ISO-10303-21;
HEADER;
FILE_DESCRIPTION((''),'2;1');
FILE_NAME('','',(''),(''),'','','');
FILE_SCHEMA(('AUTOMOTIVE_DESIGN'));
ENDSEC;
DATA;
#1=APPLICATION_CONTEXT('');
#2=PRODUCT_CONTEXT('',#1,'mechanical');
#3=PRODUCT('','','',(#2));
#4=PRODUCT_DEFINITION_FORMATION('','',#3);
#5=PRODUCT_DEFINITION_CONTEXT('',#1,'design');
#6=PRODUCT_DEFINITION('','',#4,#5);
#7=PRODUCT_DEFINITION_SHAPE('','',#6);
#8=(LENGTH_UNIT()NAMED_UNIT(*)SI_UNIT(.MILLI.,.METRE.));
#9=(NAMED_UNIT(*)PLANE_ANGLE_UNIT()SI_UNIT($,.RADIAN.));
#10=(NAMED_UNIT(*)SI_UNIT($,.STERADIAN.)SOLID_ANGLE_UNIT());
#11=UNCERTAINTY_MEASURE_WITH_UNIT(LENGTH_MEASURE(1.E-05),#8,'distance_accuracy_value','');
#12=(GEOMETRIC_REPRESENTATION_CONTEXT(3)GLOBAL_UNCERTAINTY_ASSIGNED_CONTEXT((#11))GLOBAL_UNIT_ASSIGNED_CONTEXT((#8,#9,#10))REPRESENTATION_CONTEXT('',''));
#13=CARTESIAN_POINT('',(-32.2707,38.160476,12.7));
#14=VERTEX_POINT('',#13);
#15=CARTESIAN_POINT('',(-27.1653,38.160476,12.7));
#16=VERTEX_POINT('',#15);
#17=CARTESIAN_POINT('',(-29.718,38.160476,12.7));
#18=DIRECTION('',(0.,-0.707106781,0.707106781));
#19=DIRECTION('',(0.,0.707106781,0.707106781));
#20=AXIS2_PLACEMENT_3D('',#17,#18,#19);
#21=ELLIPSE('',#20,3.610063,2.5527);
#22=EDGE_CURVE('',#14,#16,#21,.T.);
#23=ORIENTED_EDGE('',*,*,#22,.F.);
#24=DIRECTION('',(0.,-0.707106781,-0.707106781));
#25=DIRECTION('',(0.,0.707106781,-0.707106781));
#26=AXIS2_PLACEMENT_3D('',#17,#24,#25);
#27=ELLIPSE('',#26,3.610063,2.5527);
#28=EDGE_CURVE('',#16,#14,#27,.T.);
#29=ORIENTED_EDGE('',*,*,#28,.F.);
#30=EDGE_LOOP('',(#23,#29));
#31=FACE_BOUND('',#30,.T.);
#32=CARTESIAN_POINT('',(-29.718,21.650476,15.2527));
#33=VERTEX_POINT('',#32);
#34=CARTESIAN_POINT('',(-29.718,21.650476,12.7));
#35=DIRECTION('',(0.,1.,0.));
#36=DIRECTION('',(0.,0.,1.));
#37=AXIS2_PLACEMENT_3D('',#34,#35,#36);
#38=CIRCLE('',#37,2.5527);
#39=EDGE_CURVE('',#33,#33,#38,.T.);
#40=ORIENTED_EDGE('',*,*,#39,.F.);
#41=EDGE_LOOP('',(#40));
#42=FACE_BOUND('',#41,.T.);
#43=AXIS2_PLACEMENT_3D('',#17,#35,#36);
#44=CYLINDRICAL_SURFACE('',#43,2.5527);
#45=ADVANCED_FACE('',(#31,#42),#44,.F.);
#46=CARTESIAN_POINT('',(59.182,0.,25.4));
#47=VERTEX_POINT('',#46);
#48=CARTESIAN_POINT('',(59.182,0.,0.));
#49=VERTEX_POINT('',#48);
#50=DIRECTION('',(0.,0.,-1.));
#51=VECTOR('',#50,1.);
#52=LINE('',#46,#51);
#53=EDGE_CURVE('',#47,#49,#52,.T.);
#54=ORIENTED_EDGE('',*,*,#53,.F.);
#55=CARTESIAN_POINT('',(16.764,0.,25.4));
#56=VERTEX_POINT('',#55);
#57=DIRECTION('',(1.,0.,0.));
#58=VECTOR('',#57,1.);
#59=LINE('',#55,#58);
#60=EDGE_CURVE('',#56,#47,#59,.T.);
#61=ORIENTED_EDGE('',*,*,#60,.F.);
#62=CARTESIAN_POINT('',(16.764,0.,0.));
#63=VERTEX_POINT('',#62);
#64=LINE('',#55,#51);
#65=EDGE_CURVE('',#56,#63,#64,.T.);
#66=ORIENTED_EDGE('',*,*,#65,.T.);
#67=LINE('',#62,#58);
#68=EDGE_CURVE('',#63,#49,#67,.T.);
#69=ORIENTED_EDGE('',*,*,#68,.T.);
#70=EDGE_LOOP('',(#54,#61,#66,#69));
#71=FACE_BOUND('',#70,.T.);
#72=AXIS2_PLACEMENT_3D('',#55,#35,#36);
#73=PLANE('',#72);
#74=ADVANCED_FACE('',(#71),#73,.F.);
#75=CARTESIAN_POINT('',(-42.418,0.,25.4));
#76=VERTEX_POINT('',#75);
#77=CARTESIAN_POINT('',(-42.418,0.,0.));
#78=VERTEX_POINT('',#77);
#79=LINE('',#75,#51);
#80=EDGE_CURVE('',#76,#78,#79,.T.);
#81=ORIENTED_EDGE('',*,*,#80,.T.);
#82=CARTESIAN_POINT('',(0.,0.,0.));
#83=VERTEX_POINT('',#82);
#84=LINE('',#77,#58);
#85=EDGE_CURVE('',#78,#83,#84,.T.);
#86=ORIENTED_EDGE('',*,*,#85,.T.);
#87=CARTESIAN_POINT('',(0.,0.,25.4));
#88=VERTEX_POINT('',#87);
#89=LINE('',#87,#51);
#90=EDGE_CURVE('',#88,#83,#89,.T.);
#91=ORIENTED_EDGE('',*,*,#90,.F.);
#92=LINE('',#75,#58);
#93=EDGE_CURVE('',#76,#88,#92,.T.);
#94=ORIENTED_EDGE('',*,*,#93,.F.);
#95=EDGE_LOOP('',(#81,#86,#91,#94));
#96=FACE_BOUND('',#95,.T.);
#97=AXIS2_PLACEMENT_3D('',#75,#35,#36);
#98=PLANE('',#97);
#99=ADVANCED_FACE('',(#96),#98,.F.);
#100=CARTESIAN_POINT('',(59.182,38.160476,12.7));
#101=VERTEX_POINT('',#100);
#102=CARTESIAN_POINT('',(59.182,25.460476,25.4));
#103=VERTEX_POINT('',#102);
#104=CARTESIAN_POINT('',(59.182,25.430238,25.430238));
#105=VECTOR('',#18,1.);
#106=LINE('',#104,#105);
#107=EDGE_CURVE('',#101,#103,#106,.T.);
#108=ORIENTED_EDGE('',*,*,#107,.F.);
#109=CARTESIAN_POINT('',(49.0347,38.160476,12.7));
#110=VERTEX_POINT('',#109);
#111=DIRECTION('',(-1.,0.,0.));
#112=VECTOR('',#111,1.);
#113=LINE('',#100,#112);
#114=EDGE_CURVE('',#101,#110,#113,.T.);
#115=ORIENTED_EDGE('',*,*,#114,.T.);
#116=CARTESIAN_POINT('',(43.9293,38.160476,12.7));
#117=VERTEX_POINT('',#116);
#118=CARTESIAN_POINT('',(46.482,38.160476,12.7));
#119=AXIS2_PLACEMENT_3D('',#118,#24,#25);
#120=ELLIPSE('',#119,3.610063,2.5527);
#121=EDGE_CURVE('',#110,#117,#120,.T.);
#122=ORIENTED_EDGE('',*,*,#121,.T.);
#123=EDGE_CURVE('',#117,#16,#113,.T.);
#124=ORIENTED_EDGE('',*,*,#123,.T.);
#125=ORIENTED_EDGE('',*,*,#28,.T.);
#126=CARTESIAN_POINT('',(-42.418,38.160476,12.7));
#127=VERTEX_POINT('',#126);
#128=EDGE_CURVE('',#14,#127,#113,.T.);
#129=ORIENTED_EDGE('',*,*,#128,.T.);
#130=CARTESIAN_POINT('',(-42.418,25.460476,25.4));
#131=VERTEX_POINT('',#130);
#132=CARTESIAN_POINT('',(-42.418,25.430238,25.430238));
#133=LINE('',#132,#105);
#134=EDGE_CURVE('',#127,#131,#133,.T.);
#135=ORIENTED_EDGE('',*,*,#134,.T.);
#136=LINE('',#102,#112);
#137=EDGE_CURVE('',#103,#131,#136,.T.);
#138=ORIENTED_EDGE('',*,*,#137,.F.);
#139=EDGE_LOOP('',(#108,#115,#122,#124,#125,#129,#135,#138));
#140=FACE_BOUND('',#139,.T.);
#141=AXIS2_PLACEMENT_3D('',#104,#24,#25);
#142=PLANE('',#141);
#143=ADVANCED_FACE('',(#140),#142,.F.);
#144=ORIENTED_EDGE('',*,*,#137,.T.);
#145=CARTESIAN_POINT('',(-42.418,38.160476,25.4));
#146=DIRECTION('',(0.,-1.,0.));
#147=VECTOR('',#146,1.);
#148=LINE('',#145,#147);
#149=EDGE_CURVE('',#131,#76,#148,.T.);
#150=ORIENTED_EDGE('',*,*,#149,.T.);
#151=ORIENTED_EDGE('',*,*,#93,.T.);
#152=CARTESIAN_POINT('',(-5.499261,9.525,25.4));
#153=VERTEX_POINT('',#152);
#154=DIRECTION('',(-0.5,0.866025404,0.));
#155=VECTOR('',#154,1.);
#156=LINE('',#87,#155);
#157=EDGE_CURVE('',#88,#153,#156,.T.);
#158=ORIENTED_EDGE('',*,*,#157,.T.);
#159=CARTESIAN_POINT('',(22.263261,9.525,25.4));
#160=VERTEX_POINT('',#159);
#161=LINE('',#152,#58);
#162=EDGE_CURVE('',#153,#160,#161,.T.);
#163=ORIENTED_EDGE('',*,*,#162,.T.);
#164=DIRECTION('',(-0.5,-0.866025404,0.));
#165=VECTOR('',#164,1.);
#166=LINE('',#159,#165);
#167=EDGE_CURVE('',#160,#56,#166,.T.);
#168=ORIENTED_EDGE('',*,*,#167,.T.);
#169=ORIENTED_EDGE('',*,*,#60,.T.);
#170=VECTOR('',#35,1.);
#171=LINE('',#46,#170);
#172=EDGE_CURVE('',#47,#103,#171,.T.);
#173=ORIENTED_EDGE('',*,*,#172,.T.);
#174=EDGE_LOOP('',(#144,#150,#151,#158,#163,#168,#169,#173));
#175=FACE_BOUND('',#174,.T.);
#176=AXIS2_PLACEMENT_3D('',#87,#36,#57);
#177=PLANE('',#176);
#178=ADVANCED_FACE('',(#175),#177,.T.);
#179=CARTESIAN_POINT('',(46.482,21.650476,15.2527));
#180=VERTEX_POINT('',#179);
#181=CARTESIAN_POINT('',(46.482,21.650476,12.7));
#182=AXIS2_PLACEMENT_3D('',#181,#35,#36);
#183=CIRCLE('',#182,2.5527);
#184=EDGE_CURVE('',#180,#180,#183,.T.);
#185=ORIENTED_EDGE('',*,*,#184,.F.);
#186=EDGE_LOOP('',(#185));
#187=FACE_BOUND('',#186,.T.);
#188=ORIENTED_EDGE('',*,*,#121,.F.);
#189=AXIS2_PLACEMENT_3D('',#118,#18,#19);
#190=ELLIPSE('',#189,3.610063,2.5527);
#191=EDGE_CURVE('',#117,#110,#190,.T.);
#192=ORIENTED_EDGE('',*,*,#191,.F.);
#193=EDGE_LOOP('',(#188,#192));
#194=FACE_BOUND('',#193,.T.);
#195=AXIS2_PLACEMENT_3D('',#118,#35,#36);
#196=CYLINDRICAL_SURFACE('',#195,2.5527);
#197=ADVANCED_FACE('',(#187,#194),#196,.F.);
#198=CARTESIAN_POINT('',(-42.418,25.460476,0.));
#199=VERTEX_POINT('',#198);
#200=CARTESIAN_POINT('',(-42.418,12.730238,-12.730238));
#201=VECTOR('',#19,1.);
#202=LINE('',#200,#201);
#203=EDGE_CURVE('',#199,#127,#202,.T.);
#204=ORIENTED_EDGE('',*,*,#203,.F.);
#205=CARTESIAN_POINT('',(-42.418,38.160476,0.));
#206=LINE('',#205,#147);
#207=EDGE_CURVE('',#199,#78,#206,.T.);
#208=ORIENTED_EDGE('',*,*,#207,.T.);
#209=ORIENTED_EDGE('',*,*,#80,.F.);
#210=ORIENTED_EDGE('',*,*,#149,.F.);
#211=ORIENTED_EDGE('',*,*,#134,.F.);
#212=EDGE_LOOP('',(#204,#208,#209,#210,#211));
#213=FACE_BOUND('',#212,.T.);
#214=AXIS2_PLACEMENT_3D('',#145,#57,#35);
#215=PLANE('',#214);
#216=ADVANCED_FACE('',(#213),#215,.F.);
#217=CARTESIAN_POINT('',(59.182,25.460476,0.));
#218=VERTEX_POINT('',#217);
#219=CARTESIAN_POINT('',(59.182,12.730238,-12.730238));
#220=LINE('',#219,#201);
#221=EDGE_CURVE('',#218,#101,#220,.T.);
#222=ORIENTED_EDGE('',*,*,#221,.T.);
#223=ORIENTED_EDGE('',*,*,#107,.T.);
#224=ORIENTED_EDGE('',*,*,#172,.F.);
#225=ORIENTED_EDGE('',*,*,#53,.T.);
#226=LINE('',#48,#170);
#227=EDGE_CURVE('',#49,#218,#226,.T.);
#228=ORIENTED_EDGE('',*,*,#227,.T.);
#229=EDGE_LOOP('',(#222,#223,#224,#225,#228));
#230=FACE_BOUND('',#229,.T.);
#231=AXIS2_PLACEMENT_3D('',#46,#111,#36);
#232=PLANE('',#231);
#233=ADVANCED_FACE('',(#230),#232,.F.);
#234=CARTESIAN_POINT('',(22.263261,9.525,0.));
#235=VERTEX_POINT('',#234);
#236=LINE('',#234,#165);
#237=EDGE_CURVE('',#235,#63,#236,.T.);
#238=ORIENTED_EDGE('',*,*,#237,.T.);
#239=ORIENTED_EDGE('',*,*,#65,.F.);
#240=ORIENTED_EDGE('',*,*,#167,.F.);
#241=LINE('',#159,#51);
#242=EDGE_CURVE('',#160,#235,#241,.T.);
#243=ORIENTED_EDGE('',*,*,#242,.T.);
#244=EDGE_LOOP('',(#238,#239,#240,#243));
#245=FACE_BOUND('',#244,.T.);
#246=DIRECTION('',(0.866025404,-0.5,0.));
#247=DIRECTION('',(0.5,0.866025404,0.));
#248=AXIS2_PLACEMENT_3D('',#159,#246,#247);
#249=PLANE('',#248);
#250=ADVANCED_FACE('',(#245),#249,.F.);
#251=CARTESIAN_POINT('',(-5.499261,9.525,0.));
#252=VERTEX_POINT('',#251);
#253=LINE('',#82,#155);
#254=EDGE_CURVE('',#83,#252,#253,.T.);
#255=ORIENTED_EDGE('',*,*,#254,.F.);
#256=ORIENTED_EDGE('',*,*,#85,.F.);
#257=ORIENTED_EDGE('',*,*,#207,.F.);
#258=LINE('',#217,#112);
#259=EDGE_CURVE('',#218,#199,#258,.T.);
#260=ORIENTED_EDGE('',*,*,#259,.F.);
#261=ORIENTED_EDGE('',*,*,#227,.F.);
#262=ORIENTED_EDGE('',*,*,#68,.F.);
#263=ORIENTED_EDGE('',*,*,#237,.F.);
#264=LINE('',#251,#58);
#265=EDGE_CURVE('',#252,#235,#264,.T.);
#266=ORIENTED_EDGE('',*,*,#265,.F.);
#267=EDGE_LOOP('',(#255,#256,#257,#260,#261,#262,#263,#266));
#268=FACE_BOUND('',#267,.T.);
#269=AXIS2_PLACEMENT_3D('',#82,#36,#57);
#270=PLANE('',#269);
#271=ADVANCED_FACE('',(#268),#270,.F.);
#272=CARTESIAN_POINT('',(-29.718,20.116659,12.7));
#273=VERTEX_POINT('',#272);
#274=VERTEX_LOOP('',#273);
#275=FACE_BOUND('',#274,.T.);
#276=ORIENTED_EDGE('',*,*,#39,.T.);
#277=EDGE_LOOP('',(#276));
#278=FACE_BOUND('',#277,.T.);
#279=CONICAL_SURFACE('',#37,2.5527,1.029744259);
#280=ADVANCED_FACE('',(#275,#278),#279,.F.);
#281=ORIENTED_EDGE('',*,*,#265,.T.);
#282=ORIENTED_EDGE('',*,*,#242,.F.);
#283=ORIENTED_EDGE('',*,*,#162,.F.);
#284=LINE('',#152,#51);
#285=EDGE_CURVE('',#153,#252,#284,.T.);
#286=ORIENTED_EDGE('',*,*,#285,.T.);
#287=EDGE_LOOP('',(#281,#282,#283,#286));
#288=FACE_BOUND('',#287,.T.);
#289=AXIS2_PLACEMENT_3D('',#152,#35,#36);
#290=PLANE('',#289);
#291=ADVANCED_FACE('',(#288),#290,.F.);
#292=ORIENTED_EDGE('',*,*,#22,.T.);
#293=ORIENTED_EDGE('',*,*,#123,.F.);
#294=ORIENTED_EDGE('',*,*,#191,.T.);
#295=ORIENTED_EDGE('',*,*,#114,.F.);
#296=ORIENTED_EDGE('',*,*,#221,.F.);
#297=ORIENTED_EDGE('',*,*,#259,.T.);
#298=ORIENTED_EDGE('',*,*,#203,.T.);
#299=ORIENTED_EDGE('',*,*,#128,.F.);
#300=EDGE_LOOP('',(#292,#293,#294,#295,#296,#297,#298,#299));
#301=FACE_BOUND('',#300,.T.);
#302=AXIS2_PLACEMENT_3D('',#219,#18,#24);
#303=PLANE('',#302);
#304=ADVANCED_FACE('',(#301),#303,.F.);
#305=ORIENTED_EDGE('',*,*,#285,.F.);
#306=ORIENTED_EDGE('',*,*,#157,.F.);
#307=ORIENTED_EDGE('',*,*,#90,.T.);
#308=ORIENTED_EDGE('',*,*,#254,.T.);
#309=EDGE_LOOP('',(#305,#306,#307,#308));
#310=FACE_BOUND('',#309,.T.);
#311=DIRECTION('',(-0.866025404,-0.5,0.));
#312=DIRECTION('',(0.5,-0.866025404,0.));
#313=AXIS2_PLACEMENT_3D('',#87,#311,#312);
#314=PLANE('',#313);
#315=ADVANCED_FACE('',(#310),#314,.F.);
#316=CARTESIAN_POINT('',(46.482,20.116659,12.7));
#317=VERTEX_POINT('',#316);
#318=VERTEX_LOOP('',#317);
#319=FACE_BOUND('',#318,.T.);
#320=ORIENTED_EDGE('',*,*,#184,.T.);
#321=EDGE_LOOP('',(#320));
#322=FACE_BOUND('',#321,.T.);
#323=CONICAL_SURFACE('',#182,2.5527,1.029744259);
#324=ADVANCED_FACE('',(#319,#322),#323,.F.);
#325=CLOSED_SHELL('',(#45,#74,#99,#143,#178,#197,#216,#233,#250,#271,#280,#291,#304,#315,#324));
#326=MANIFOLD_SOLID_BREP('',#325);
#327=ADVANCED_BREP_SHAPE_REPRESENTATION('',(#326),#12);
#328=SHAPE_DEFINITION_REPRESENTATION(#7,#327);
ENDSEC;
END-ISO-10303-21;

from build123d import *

# Parameters (mm, degrees)
BOSS_EXTRUDE1_DEPTH         = 25.4
CUT_EXTRUDE1_DEPTH          = 112.462737913
F_1_4_20_TAPPED_HOLE1_D     = 5.1054
F_1_4_20_TAPPED_HOLE1_DEPTH = 16.51
F_1_4_20_TAPPED_HOLE1_TIP   = 1.533816902


with BuildPart() as part:
    # Sketch1 → Boss-Extrude1 (new body)
    with BuildSketch(Plane.XY):
        Polygon((0, 0), (-5.499261314, 9.525), (22.263261314, 9.525), (16.764, 0), (59.182, 0), (59.182, 38.16047619), (-42.418, 38.16047619), (-42.418, 0), align=None)
    extrude(amount=BOSS_EXTRUDE1_DEPTH)

    # Sketch2 → Cut-Extrude1 (cut, through all)
    with BuildSketch(Plane.ZY.offset(42.418)):
        Polygon((0, 38.16047619), (0, 25.46047619), (12.7, 38.16047619), align=None)
        Polygon((25.4, 38.16047619), (12.7, 38.16047619), (25.4, 25.46047619), align=None)
    extrude(amount=-CUT_EXTRUDE1_DEPTH, mode=Mode.SUBTRACT)

    # 1/4-20 Tapped Hole1
    with Locations(Plane(origin=(0, 38.16047619, 0), x_dir=(-1, 0, 0), z_dir=(0, 1, 0))):
        with Locations((29.718, 12.7), (-46.482, 12.7)):
            Hole(F_1_4_20_TAPPED_HOLE1_D / 2, depth=F_1_4_20_TAPPED_HOLE1_DEPTH)
            with Locations((0, 0, -(F_1_4_20_TAPPED_HOLE1_DEPTH + F_1_4_20_TAPPED_HOLE1_TIP / 2))):  # 118° drill point
                Cone(0, F_1_4_20_TAPPED_HOLE1_D / 2, F_1_4_20_TAPPED_HOLE1_TIP, mode=Mode.SUBTRACT)


solid = part.part
